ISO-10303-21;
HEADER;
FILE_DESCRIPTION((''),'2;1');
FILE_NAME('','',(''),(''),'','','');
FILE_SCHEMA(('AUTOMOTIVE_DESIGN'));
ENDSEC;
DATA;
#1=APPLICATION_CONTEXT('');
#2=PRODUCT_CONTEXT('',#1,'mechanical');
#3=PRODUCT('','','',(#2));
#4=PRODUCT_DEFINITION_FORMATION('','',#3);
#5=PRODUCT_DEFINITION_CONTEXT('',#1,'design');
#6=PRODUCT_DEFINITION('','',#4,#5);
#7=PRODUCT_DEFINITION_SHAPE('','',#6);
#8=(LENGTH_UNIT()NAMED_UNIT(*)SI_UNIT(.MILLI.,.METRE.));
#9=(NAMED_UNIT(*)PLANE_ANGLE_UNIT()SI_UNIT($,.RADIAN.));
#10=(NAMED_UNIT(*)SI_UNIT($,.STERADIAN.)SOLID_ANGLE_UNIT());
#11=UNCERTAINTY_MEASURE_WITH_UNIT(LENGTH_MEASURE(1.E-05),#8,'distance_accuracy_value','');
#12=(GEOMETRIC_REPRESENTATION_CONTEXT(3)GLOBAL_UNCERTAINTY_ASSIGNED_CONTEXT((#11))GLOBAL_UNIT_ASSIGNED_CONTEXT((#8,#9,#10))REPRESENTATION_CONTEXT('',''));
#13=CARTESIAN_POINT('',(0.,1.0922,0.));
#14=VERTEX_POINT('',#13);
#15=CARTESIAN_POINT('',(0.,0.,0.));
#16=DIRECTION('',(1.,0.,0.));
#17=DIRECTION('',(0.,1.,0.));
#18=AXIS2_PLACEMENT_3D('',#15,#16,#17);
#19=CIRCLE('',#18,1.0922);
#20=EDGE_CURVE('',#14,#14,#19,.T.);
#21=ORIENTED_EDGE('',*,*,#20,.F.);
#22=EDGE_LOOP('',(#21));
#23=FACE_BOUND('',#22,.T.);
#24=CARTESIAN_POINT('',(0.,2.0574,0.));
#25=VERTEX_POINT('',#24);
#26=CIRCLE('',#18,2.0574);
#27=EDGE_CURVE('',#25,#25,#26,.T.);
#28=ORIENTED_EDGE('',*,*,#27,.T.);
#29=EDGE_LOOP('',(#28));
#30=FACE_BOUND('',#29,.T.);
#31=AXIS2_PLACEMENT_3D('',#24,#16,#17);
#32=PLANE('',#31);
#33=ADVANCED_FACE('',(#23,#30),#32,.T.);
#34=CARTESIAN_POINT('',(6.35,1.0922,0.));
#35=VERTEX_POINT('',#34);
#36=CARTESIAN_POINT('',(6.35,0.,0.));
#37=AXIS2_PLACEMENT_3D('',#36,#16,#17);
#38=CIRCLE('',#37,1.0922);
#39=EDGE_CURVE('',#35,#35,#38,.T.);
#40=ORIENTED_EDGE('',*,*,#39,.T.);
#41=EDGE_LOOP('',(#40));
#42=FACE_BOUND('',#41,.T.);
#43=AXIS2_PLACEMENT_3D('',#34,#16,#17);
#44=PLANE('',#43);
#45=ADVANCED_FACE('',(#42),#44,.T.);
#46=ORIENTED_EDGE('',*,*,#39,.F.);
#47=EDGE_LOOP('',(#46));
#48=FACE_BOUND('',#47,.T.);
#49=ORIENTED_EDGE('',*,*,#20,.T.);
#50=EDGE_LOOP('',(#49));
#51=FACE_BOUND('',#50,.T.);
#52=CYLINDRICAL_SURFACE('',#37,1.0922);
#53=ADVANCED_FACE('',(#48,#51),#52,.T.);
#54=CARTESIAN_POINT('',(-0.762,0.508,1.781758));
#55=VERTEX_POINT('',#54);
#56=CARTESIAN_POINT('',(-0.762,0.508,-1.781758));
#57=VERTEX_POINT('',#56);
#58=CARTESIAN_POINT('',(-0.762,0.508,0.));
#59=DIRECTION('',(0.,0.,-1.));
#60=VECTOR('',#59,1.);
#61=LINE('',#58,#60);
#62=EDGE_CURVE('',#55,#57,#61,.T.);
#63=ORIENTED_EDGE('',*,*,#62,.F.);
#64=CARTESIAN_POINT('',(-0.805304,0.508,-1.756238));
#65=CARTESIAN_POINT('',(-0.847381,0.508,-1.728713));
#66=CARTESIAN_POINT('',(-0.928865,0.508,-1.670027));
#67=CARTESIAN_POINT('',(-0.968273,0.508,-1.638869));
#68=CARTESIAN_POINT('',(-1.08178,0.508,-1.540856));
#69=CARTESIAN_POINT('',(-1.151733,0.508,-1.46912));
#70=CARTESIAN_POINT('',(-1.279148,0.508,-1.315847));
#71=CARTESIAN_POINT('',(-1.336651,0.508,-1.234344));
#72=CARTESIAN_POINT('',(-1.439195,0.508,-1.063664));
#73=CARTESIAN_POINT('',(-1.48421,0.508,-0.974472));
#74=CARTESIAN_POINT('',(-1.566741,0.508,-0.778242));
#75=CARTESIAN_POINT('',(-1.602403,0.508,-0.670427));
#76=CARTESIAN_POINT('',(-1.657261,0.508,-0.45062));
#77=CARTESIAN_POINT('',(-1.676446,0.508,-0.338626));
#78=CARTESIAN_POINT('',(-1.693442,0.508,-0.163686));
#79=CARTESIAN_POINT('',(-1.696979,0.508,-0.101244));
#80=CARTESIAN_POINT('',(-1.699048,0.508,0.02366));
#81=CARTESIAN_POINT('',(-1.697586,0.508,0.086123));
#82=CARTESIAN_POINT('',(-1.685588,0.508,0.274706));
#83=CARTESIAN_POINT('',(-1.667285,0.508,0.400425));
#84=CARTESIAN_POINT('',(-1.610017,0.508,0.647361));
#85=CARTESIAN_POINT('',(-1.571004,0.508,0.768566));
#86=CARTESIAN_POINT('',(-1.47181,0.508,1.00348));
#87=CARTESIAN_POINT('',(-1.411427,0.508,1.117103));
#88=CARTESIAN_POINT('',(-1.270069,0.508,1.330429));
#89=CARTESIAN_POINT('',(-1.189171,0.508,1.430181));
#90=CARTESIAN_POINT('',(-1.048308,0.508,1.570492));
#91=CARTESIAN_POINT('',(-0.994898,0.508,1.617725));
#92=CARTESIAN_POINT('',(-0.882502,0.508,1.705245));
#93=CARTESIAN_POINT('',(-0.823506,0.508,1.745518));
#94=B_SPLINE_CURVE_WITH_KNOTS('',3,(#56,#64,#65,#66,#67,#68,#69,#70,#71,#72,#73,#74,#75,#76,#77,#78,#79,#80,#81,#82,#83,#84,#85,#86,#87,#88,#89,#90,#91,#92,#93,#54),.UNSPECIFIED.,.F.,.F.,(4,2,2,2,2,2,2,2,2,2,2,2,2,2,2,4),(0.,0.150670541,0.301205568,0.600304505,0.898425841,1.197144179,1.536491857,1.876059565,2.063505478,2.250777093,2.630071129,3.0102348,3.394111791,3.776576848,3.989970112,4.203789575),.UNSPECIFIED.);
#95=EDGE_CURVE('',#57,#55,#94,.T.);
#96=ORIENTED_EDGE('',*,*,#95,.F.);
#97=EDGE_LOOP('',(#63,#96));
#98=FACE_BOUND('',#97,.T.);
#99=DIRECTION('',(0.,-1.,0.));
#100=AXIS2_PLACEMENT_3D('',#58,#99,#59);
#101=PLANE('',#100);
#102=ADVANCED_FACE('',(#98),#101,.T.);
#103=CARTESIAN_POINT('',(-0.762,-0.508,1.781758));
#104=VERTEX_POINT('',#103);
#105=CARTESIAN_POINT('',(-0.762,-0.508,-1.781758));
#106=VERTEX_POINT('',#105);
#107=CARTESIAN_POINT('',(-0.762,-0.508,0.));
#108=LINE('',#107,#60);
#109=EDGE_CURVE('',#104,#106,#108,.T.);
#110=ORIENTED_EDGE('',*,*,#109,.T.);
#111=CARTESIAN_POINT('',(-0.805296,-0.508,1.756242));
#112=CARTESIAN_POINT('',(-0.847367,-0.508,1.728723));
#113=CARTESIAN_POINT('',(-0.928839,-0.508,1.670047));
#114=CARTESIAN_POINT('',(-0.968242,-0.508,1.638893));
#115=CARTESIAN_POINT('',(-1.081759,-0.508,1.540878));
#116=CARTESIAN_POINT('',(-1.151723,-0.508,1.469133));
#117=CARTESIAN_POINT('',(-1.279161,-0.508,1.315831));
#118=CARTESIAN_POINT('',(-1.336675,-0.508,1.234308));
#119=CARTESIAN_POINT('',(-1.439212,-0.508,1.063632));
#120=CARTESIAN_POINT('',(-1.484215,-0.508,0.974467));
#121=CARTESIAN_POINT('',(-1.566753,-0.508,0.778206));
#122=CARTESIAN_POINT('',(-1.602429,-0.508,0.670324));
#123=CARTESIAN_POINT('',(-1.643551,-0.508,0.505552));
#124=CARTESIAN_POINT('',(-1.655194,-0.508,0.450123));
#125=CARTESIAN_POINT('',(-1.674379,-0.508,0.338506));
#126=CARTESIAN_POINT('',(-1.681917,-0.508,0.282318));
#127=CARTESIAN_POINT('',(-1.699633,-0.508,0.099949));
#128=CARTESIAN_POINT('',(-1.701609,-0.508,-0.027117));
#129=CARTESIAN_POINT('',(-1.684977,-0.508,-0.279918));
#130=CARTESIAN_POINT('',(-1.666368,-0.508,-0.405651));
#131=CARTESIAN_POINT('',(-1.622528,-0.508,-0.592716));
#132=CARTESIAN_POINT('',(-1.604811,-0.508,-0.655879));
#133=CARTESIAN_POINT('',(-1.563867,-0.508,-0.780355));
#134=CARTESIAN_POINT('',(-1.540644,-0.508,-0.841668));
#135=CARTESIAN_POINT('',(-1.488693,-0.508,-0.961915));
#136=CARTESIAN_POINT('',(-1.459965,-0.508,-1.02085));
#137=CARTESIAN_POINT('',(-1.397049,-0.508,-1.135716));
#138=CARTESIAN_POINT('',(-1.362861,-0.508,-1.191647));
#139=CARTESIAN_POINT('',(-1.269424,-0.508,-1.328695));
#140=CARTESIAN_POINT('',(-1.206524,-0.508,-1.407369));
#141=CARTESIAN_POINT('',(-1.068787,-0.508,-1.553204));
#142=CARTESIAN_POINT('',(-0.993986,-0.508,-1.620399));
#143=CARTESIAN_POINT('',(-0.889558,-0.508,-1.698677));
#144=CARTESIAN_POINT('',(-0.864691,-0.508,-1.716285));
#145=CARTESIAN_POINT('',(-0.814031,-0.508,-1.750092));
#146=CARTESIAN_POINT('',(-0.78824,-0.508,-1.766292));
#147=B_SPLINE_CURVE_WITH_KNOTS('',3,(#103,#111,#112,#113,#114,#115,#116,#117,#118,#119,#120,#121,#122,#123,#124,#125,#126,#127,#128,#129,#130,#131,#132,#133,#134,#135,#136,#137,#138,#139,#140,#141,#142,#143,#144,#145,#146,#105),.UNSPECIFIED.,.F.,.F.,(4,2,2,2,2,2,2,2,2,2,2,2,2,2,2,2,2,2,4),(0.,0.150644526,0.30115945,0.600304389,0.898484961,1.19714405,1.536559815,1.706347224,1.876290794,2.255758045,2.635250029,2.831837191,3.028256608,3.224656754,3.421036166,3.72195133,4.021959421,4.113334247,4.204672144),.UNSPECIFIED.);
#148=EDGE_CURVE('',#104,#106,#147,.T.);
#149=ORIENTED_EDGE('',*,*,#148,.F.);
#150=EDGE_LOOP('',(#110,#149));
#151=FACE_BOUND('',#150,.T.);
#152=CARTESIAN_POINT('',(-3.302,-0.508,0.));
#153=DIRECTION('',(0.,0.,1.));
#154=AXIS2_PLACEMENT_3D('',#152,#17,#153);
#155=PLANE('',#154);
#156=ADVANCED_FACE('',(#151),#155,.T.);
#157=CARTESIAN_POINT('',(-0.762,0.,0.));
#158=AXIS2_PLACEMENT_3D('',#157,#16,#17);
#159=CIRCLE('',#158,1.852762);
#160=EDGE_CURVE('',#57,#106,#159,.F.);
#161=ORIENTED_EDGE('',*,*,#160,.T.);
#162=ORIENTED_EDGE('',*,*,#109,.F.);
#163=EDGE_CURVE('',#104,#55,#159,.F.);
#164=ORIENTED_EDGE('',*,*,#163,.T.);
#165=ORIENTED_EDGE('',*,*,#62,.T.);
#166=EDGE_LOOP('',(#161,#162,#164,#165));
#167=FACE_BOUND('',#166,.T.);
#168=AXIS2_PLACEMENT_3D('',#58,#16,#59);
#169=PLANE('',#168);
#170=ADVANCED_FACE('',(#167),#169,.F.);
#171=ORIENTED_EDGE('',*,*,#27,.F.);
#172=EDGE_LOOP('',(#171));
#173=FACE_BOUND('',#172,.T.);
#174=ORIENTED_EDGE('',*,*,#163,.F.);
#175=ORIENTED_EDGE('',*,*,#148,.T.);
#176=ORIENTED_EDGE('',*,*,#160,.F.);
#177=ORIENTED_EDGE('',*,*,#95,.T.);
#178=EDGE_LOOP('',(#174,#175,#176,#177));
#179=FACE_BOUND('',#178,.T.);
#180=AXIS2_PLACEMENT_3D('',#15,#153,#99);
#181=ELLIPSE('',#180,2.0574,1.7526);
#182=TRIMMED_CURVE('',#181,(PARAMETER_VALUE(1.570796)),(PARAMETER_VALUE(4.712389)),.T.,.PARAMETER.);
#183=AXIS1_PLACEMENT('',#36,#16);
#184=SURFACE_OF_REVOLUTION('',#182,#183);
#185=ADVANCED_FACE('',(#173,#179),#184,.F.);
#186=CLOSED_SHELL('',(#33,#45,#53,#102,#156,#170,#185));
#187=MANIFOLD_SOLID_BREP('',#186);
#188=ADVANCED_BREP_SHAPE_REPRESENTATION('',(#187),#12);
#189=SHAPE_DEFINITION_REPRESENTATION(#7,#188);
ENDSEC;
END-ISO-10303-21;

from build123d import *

# Parameters (mm, degrees)
CUT_EXTRUDE1_DEPTH      = 2.54
CUT_EXTRUDE1_DEPTH_BACK = 2.54


with BuildPart() as part:
    # Sketch2 → Revolve1 (revolve)
    with BuildSketch(Plane.XY):
        with BuildLine():
            Line((0, 2.0574), (0, 1.0922))
            Line((0, 1.0922), (6.35, 1.0922))
            Line((6.35, 1.0922), (6.35, 0))
            Line((6.35, 0), (0, 0))
            Line((0, 0), (-1.7526, 0))
            add(Edge.make_bspline(
                [(0, 2.0574), (-1.7526, 2.0574), (-1.7526, 0)],
                knots=[3.141592654, 3.141592654, 3.141592654, 4.71238898, 4.71238898, 4.71238898], degree=2, weights=[1, 0.707106781, 1]))
        make_face()
    revolve(axis=Axis((6.35, 0, 0), (-1, 0, 0)))

    # 3DSketch1 → Cut-Extrude1 (cut, two sides: drawn at the far end of the back side and taken through both)
    with BuildSketch(Plane(origin=(-0.762, 0.508, 0), x_dir=(-0.9284766908852594, -0.37139067635410355, 0), z_dir=(0, 0, 1)).offset(-CUT_EXTRUDE1_DEPTH_BACK)):
        Polygon((0, 0), (0.377332927, 0.943332318), (2.735663722, 0), (2.358330795, -0.943332318), align=None)
    extrude(amount=CUT_EXTRUDE1_DEPTH + CUT_EXTRUDE1_DEPTH_BACK, mode=Mode.SUBTRACT)


solid = part.part
